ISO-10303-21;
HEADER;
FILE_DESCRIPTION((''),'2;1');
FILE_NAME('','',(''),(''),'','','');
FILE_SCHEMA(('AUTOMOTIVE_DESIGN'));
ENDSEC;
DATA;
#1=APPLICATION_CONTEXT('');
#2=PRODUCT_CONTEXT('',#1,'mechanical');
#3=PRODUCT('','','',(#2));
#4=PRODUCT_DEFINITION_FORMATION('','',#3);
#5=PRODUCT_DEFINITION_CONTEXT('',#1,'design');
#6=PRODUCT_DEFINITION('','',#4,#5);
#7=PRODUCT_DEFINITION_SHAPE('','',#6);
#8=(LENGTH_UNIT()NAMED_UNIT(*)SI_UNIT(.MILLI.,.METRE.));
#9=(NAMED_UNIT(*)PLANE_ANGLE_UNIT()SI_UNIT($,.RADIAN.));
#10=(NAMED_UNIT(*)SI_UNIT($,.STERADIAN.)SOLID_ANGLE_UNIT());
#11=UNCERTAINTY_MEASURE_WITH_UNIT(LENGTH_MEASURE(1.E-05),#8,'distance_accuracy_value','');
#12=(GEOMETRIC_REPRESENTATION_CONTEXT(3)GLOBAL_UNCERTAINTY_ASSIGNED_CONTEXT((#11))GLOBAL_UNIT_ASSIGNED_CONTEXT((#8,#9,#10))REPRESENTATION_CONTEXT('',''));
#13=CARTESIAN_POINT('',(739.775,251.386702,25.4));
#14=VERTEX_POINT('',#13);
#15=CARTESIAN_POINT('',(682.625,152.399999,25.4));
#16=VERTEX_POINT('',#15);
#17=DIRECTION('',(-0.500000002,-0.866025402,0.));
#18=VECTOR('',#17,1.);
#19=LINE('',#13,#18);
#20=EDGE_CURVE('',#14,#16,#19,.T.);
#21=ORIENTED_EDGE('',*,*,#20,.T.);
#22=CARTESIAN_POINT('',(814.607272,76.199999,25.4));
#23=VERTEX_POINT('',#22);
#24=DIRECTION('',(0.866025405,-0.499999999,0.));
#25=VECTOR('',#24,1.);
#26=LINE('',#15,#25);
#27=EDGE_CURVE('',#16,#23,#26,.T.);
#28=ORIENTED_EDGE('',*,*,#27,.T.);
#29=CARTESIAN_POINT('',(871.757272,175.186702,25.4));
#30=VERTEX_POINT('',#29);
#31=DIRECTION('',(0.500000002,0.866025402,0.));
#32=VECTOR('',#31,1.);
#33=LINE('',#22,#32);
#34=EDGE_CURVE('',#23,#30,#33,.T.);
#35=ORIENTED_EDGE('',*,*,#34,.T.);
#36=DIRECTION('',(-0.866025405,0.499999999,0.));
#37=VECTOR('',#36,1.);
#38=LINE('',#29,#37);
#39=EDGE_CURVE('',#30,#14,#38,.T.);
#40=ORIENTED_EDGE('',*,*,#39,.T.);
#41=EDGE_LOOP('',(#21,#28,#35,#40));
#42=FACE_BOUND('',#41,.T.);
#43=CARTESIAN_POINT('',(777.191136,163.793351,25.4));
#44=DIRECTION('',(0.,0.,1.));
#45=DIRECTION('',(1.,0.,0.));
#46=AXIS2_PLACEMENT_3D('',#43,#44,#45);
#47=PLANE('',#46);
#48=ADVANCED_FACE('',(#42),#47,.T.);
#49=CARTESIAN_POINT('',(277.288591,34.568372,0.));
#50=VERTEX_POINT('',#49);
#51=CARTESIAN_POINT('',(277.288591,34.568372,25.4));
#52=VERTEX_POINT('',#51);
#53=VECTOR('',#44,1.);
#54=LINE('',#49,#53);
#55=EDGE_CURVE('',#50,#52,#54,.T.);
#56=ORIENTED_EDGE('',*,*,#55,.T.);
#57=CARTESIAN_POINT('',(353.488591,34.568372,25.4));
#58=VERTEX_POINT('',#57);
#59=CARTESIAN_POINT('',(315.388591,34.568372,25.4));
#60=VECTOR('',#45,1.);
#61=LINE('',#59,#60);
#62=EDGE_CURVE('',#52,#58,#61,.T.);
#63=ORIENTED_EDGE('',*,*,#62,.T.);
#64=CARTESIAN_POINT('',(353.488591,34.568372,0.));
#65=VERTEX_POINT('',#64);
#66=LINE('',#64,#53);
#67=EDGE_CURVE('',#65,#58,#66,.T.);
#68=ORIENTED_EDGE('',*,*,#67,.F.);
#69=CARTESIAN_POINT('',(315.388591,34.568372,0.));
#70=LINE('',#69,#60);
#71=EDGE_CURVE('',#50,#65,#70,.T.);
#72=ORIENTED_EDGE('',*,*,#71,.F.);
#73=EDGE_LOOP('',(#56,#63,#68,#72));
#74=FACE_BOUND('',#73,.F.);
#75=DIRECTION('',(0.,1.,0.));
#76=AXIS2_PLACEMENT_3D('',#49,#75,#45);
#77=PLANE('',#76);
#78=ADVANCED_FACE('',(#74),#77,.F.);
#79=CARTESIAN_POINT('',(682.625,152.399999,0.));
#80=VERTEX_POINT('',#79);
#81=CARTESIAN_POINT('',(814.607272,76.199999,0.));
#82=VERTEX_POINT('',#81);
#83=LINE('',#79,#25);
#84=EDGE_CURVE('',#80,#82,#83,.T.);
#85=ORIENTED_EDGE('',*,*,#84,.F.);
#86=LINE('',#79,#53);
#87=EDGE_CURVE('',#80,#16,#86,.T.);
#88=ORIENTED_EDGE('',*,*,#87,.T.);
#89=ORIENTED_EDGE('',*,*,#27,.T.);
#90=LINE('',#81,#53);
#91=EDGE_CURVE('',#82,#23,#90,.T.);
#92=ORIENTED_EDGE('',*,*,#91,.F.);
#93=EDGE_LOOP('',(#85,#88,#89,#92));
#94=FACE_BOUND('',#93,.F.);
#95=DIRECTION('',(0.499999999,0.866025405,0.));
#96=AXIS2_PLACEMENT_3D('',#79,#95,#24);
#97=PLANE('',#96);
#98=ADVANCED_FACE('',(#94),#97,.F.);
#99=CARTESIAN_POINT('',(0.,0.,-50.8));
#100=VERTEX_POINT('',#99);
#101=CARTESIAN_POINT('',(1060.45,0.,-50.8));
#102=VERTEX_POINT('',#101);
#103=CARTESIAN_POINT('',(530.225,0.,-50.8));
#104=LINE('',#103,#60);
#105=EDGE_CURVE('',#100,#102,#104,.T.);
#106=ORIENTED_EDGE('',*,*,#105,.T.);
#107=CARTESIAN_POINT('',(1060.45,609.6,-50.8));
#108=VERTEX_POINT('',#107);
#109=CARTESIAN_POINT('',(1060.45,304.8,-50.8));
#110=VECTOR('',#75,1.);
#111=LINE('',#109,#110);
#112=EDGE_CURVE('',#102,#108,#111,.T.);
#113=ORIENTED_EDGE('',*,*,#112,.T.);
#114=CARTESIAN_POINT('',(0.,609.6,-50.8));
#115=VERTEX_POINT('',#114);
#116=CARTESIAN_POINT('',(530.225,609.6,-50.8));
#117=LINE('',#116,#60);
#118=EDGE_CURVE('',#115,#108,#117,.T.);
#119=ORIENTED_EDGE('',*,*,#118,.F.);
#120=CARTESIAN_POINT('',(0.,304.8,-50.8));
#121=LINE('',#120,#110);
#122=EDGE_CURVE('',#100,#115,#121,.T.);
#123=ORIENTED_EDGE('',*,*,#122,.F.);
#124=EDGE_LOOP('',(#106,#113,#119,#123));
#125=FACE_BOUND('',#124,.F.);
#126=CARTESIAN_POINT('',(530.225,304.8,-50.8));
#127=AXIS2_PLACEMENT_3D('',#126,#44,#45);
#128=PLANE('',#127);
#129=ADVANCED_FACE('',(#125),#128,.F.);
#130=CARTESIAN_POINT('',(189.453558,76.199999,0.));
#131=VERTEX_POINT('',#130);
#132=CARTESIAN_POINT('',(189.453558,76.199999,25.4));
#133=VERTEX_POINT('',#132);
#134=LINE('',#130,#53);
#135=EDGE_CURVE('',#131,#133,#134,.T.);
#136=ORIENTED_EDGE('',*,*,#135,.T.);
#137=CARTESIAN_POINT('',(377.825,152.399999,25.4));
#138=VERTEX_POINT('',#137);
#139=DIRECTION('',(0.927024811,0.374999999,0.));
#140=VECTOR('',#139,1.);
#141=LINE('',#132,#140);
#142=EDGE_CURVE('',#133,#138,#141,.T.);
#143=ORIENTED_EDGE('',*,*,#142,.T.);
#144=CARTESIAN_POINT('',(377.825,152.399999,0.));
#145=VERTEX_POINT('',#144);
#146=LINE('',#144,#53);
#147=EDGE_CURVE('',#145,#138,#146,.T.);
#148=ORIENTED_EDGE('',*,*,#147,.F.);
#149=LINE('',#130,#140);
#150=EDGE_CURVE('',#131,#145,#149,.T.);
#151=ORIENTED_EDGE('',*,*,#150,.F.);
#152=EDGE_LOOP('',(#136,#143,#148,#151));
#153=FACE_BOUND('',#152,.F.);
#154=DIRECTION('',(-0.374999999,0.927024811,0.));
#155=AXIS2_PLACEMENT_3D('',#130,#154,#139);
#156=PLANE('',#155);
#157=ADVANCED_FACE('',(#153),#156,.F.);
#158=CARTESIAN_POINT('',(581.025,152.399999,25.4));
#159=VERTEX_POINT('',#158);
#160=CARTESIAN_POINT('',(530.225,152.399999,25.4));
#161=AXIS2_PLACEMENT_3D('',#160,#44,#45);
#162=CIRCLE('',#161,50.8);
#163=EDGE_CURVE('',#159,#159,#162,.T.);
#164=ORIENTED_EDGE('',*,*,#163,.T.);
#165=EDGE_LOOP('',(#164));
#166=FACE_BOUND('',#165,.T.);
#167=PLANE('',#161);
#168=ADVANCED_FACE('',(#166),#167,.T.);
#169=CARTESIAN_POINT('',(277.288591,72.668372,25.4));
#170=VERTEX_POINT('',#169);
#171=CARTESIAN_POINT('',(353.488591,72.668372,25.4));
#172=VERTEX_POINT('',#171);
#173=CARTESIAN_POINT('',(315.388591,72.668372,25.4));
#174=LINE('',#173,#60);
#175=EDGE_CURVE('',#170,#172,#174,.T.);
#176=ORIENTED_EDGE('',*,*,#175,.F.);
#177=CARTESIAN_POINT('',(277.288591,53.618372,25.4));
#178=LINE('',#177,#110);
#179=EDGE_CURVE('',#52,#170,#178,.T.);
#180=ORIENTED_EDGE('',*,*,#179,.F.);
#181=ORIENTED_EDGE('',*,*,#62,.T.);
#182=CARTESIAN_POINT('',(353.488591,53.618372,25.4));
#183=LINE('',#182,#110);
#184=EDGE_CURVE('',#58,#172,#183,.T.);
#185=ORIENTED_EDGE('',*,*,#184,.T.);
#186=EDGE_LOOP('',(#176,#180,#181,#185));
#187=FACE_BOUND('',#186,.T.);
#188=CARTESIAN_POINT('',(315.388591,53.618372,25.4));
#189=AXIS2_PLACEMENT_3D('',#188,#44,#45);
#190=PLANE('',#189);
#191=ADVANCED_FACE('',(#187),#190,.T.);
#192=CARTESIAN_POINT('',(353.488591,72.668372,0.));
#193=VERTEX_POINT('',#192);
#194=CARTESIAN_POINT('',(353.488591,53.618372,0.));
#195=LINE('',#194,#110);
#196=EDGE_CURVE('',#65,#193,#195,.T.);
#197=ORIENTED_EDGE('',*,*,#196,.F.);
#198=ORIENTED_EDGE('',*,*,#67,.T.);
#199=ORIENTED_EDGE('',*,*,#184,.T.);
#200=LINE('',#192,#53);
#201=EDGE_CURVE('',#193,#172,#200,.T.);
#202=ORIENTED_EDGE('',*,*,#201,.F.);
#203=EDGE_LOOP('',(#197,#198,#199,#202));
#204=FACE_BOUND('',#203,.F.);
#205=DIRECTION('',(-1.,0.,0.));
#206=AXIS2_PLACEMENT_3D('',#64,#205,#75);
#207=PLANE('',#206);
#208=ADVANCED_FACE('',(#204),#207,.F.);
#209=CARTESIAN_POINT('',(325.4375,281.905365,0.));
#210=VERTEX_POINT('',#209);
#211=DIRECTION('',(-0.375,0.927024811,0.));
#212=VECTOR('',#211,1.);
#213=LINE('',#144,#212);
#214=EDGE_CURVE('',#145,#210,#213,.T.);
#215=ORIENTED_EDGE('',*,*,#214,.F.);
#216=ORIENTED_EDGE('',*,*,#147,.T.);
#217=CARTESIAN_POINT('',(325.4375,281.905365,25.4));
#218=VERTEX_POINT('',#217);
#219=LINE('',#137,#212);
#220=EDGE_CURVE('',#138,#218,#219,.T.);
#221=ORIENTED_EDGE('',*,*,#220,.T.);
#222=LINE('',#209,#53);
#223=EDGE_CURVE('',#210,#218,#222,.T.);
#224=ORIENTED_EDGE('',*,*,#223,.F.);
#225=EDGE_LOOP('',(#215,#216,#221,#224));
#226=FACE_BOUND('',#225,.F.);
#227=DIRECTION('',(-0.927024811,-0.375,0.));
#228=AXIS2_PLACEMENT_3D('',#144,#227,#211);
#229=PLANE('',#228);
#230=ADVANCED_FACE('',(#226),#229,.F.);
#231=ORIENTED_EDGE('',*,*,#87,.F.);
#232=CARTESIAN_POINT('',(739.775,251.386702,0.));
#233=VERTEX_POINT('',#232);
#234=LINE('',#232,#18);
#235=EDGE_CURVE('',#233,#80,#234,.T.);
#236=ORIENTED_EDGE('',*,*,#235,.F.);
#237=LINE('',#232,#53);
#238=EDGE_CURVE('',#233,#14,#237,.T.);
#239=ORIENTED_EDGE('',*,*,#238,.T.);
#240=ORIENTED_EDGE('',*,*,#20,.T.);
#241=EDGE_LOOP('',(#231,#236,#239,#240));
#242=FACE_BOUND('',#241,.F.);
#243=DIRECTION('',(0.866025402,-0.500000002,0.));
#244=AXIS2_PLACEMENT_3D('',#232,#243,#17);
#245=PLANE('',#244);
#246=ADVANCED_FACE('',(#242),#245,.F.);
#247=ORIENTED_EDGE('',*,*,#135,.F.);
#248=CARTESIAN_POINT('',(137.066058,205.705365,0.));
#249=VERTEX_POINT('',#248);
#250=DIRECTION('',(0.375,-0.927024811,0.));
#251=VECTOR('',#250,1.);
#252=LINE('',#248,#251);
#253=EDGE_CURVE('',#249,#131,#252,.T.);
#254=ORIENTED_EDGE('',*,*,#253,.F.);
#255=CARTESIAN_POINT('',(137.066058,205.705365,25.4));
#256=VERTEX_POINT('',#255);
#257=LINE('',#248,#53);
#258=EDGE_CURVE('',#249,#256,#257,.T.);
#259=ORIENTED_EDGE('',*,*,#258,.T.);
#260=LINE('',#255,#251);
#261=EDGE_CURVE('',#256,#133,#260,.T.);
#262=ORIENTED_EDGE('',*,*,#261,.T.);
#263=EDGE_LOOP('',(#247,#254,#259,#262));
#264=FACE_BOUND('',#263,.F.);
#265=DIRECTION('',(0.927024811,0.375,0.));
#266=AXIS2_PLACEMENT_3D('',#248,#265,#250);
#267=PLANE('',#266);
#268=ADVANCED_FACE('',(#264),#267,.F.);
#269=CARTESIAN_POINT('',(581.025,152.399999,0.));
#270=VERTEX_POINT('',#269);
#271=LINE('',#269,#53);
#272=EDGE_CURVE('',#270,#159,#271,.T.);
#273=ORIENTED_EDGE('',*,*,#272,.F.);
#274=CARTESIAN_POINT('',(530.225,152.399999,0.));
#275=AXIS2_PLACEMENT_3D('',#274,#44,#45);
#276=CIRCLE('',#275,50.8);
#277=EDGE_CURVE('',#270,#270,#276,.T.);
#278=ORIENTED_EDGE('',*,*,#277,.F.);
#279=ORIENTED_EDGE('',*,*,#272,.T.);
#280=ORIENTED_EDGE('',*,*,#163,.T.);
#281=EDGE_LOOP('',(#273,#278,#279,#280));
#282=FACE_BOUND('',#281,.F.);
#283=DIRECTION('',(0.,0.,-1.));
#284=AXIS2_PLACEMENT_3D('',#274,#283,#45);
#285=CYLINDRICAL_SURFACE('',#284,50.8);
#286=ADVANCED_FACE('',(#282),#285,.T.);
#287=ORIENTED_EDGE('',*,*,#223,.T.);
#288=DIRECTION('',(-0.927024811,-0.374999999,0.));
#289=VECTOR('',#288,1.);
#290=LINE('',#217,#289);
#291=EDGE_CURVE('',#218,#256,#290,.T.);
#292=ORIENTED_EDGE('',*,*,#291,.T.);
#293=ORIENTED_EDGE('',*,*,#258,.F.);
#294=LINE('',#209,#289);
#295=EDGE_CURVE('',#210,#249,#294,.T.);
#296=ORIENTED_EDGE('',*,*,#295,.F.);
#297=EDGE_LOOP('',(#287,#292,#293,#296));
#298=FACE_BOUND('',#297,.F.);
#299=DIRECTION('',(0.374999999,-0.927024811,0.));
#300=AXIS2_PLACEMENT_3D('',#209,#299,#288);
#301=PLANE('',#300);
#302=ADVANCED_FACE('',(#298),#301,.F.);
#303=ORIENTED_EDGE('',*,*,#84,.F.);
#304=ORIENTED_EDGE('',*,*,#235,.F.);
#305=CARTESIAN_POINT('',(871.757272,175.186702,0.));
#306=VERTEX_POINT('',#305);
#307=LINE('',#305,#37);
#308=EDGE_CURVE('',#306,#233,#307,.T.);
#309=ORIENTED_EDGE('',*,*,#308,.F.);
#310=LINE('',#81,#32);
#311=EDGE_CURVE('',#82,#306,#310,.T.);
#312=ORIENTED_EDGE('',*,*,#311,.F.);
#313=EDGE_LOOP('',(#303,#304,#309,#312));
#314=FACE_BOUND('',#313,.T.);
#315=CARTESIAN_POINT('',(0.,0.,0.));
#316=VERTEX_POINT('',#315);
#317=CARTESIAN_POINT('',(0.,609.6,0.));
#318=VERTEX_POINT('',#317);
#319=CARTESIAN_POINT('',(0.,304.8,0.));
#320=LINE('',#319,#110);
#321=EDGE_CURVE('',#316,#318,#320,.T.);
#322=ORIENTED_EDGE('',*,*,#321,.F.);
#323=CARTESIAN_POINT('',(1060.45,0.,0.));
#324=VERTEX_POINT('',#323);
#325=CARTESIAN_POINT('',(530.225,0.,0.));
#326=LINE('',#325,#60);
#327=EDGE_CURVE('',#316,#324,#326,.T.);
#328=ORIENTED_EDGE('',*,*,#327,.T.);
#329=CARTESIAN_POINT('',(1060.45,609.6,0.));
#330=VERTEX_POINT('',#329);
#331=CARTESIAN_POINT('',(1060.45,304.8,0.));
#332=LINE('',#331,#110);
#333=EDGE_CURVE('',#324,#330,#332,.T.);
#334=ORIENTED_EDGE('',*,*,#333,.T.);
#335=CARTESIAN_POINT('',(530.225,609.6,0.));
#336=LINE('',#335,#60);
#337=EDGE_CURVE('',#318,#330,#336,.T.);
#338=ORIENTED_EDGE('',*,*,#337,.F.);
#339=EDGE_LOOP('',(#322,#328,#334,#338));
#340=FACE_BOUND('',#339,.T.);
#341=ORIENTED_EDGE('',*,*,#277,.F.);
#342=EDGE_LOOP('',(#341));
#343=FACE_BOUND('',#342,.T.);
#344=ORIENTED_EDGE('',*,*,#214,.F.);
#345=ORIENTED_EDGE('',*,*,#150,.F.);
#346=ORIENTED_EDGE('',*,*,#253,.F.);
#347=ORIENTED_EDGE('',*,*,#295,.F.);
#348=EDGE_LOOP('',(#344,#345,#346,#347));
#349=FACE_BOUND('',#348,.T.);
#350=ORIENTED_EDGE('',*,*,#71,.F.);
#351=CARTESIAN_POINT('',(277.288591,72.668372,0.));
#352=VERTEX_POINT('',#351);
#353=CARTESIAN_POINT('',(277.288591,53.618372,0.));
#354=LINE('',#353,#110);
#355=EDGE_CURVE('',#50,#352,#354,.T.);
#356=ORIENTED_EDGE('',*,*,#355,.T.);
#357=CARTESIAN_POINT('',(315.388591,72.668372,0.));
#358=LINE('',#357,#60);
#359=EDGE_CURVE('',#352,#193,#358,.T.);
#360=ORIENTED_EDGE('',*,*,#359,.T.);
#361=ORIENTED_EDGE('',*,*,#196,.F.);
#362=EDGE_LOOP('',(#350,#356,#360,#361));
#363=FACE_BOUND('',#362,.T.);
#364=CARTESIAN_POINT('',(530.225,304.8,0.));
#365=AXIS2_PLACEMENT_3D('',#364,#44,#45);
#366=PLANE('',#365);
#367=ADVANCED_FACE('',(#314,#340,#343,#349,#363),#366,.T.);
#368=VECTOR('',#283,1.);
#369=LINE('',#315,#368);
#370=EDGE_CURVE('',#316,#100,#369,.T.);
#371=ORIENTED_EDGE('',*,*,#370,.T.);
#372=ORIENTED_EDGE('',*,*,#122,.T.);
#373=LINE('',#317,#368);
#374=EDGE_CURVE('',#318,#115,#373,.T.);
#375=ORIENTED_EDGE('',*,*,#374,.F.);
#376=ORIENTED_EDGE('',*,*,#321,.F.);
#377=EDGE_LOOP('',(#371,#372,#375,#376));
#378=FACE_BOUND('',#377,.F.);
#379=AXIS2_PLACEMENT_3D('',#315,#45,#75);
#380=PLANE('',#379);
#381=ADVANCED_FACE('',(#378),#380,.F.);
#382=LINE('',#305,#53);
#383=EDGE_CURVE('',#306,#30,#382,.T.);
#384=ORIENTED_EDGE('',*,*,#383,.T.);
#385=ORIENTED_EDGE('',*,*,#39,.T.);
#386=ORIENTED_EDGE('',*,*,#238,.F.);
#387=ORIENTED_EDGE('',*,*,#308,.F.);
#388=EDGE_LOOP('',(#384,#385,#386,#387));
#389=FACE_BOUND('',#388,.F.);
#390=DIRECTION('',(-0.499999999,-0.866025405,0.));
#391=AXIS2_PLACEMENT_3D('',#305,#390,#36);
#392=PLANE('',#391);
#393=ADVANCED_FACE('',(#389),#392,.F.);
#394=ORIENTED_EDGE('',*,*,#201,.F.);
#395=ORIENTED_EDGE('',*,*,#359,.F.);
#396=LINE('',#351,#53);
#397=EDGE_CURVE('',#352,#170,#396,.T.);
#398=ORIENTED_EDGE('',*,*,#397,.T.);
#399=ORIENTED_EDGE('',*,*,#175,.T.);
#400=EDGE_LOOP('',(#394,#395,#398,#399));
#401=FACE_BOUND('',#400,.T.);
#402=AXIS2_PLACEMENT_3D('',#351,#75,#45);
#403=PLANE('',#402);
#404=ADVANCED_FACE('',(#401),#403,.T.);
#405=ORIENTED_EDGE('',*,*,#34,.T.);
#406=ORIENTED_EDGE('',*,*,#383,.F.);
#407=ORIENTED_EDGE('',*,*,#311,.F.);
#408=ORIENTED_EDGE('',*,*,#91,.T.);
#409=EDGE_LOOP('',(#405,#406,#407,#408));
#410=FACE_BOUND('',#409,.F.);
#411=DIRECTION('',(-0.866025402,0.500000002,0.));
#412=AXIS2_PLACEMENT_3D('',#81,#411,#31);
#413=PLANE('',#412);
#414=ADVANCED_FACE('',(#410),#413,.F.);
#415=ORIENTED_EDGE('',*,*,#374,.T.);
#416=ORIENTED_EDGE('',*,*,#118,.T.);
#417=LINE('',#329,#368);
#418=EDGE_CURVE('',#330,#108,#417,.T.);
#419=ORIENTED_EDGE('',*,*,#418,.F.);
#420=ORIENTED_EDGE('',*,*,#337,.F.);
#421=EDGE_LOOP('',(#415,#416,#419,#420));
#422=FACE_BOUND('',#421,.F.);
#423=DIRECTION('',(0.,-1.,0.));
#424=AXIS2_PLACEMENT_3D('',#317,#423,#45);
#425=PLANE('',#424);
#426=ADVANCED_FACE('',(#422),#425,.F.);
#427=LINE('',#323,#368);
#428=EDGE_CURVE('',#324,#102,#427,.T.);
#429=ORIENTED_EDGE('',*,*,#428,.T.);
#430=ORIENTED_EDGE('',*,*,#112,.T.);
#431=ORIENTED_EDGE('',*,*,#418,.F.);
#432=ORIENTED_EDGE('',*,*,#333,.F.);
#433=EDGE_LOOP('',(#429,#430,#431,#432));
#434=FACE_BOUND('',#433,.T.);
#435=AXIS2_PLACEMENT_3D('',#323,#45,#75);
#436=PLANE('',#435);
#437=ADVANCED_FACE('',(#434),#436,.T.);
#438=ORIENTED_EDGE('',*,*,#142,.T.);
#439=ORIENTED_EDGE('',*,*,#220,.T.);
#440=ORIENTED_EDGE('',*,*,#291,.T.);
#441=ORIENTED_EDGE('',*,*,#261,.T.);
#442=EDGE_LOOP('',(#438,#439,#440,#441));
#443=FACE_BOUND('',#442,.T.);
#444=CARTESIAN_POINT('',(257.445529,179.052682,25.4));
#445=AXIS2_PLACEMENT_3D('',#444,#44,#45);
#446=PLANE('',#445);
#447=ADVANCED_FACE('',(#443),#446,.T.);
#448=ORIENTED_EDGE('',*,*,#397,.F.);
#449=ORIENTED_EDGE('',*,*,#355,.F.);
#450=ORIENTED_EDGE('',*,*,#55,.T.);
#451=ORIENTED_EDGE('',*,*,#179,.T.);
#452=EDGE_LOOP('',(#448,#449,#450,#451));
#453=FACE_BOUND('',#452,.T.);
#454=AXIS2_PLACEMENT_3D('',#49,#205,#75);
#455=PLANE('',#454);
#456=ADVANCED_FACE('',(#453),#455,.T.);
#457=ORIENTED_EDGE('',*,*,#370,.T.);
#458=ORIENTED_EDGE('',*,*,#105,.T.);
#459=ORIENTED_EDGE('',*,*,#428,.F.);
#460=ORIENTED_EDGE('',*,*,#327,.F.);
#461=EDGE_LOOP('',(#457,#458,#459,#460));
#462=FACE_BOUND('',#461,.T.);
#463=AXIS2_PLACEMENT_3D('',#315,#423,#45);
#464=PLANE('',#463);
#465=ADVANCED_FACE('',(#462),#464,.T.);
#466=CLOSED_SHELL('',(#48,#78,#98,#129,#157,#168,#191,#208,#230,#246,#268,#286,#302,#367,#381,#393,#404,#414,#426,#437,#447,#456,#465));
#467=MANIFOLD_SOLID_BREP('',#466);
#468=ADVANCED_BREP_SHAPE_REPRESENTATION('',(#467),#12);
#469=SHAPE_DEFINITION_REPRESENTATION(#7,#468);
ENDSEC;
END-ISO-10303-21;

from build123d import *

# Parameters (mm, degrees)
F0_W     = 1060.45
F0_H     = 609.6
F2_DEPTH = 50.8
F1_R     = 50.8
F1_W     = 76.2
F1_H     = 38.1
F3_DEPTH = 25.4


with BuildPart() as f2:
    # F0 (on Top) → F2 (new body)
    with BuildSketch(Plane.XY):
        with Locations((530.225, 304.8)):
            Rectangle(F0_W, F0_H)
    extrude(amount=-F2_DEPTH)

    # F1 (on face) → F3 (join)
    with BuildSketch(Plane.XY):
        Polygon((377.825, 152.399999), (325.4375, 281.905365), (137.066058, 205.705365), (189.453558, 76.199999), align=None)
        Polygon((814.607272, 76.199999), (871.757272, 175.186702), (739.775, 251.386702), (682.625, 152.399999), align=None)
        with Locations((530.225, 152.399999)):
            Circle(F1_R)
        with Locations((315.388591, 53.618372)):
            Rectangle(F1_W, F1_H)
    extrude(amount=F3_DEPTH)


solid = f2.part
